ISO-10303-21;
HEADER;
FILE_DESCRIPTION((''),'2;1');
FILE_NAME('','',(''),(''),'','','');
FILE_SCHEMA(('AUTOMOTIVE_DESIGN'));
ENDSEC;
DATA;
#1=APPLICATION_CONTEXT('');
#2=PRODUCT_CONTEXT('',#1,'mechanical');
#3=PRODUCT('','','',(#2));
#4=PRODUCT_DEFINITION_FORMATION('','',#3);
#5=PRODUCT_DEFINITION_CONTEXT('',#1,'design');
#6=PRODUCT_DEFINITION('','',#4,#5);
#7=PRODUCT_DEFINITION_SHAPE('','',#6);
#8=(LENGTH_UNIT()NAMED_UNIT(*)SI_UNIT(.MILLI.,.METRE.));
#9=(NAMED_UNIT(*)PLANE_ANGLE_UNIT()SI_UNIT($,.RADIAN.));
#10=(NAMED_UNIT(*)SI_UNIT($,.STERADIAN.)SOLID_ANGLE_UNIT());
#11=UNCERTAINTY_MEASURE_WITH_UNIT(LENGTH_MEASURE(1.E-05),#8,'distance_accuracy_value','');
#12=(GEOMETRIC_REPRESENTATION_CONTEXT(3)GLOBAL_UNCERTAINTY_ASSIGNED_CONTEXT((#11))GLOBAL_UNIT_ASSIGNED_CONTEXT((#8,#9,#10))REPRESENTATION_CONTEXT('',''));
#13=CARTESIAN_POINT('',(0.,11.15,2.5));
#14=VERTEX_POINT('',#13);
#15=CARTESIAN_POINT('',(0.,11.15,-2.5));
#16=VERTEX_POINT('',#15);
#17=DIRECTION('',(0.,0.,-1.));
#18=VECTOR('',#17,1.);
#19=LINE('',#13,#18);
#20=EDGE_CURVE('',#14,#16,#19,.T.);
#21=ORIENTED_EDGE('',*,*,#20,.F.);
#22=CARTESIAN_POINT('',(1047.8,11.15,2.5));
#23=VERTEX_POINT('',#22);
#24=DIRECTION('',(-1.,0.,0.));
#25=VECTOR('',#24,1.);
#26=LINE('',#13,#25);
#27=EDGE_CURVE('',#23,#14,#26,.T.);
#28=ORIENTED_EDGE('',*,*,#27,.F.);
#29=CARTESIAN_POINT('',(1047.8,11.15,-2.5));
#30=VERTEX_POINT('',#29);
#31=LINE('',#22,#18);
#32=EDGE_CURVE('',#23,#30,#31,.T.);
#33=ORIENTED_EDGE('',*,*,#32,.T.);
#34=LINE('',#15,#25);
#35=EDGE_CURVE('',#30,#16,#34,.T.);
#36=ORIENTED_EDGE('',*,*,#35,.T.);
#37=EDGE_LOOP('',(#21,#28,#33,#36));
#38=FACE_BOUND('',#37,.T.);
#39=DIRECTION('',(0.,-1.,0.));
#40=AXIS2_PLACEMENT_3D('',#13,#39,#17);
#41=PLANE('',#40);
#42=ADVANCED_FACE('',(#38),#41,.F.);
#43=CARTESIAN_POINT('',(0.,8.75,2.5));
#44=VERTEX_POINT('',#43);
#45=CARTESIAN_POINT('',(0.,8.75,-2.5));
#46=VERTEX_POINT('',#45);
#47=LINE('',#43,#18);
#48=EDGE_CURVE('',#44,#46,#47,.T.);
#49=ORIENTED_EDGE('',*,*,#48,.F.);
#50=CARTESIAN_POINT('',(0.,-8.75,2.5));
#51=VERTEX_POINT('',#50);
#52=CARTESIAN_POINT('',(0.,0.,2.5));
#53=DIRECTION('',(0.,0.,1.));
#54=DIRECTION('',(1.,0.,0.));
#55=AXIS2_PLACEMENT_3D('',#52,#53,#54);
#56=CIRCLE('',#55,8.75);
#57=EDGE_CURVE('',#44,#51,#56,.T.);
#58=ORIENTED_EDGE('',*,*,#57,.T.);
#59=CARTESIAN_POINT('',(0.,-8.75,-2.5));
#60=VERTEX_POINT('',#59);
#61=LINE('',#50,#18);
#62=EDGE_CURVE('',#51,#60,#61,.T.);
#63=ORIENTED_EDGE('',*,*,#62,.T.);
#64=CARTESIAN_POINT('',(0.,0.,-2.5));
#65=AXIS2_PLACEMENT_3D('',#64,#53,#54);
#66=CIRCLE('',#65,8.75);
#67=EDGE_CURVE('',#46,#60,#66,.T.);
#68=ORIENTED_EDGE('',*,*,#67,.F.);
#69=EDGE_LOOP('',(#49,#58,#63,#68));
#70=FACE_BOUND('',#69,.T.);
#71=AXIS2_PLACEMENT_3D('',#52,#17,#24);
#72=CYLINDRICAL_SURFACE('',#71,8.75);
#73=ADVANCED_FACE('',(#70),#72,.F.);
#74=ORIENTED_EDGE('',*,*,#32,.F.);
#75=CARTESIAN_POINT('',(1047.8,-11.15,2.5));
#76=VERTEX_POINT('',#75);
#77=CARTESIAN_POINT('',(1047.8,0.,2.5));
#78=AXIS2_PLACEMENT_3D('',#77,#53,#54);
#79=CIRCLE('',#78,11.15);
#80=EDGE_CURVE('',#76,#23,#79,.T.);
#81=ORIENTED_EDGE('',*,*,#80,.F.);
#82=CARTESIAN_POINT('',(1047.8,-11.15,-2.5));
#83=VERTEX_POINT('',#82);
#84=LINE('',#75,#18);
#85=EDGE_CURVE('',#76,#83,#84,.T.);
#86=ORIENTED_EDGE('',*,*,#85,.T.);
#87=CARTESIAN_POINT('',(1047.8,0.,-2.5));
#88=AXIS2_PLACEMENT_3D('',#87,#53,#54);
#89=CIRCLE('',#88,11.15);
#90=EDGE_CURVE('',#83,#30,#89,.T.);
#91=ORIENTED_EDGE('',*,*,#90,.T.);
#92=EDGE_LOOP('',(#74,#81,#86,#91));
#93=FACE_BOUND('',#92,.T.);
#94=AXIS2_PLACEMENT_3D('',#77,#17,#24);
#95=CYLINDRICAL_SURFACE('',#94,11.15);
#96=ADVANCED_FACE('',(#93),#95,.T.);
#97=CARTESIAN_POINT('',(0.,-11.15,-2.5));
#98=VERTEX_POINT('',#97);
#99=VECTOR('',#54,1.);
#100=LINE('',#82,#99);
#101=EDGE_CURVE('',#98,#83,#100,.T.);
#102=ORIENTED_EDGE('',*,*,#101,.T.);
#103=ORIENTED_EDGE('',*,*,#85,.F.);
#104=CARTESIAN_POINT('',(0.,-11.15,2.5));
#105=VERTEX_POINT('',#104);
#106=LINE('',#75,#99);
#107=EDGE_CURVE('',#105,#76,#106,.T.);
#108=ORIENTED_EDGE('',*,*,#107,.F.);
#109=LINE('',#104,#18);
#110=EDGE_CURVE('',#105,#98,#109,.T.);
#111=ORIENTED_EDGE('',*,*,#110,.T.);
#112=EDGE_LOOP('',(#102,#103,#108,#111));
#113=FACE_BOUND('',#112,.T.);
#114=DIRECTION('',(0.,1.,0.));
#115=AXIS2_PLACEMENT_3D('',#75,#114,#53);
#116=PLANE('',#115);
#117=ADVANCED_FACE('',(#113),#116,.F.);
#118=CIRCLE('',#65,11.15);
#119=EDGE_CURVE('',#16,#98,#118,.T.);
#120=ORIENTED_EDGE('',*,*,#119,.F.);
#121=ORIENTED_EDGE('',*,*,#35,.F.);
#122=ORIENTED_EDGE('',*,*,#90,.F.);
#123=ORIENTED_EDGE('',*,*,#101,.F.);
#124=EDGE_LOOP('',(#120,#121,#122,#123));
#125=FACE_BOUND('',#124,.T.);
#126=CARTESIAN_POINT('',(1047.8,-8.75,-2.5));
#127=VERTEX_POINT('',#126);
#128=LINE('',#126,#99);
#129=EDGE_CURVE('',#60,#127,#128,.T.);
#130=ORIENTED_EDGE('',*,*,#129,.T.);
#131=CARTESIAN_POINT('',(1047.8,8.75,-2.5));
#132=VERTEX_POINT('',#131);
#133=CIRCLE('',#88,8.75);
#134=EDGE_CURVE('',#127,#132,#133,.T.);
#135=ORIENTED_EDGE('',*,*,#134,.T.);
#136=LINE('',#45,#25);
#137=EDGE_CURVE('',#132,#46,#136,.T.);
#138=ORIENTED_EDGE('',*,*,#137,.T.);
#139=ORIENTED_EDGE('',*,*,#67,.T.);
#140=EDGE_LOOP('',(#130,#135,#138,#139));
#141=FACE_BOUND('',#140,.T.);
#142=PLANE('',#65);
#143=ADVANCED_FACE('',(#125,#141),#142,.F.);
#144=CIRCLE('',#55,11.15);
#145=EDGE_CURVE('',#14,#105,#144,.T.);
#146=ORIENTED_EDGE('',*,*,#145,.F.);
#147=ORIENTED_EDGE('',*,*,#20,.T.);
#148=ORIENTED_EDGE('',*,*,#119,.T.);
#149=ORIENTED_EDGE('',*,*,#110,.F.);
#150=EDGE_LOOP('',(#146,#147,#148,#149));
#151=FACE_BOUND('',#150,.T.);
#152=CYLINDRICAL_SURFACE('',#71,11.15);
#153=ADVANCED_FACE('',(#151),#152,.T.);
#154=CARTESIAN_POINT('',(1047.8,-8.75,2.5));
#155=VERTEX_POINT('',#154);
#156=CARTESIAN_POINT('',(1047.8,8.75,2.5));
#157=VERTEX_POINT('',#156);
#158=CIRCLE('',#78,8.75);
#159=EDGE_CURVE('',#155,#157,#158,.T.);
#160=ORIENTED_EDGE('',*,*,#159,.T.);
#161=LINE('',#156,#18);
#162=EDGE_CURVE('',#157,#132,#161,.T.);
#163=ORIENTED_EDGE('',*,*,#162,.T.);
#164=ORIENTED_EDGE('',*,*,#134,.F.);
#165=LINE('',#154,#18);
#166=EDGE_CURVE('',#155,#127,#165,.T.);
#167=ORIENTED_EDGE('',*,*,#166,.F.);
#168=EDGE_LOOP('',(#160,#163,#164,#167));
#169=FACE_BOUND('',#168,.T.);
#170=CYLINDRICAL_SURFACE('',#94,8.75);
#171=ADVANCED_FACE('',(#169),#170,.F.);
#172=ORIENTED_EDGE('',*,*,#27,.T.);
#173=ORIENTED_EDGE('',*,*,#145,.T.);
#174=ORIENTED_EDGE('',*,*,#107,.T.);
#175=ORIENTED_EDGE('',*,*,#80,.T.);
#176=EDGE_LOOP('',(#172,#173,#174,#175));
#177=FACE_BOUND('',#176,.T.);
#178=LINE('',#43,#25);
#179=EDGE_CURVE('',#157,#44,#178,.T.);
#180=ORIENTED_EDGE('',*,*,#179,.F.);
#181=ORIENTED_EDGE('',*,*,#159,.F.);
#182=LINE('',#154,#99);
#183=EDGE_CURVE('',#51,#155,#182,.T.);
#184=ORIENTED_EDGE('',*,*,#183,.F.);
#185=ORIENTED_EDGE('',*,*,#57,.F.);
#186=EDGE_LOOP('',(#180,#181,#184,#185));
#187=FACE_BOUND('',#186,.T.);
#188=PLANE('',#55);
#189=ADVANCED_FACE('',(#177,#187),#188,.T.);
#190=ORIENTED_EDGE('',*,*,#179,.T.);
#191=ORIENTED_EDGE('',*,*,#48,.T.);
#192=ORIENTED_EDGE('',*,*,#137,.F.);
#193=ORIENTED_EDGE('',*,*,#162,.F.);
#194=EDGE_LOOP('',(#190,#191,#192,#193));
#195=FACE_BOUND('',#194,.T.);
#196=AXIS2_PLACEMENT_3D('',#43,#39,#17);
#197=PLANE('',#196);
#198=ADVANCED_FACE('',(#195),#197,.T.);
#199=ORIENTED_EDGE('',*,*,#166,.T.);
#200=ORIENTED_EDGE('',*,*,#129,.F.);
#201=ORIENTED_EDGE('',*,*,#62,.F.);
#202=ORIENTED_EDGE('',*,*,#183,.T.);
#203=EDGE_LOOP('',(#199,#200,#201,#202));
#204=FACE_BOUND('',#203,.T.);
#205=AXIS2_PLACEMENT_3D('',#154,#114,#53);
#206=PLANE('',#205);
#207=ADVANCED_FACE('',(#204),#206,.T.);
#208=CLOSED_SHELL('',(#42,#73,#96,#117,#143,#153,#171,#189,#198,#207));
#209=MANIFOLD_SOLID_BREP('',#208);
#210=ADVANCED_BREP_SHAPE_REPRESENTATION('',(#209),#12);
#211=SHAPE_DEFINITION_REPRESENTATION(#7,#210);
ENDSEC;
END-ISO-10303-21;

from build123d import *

# Parameters (mm, degrees)
EXTRUDE_THIN1_DEPTH = 2.5


with BuildPart() as part:
    # Sketch1 → Extrude-Thin1 (new body, symmetric)
    with BuildSketch(Plane.XY):
        with BuildLine():
            Line((1047.8, -11.15), (0, -11.15))
            ThreePointArc((0, -11.15), (-11.15, 0), (0, 11.15))
            Line((0, 11.15), (1047.8, 11.15))
            ThreePointArc((1047.8, 11.15), (1058.95, 0), (1047.8, -11.15))
        make_face()
        with BuildLine():
            Line((1047.8, -8.75), (0, -8.75))
            ThreePointArc((0, -8.75), (-8.75, 0), (0, 8.75))
            Line((0, 8.75), (1047.8, 8.75))
            ThreePointArc((1047.8, 8.75), (1056.55, 0), (1047.8, -8.75))
        make_face(mode=Mode.SUBTRACT)
    extrude(amount=EXTRUDE_THIN1_DEPTH, both=True)


solid = part.part
